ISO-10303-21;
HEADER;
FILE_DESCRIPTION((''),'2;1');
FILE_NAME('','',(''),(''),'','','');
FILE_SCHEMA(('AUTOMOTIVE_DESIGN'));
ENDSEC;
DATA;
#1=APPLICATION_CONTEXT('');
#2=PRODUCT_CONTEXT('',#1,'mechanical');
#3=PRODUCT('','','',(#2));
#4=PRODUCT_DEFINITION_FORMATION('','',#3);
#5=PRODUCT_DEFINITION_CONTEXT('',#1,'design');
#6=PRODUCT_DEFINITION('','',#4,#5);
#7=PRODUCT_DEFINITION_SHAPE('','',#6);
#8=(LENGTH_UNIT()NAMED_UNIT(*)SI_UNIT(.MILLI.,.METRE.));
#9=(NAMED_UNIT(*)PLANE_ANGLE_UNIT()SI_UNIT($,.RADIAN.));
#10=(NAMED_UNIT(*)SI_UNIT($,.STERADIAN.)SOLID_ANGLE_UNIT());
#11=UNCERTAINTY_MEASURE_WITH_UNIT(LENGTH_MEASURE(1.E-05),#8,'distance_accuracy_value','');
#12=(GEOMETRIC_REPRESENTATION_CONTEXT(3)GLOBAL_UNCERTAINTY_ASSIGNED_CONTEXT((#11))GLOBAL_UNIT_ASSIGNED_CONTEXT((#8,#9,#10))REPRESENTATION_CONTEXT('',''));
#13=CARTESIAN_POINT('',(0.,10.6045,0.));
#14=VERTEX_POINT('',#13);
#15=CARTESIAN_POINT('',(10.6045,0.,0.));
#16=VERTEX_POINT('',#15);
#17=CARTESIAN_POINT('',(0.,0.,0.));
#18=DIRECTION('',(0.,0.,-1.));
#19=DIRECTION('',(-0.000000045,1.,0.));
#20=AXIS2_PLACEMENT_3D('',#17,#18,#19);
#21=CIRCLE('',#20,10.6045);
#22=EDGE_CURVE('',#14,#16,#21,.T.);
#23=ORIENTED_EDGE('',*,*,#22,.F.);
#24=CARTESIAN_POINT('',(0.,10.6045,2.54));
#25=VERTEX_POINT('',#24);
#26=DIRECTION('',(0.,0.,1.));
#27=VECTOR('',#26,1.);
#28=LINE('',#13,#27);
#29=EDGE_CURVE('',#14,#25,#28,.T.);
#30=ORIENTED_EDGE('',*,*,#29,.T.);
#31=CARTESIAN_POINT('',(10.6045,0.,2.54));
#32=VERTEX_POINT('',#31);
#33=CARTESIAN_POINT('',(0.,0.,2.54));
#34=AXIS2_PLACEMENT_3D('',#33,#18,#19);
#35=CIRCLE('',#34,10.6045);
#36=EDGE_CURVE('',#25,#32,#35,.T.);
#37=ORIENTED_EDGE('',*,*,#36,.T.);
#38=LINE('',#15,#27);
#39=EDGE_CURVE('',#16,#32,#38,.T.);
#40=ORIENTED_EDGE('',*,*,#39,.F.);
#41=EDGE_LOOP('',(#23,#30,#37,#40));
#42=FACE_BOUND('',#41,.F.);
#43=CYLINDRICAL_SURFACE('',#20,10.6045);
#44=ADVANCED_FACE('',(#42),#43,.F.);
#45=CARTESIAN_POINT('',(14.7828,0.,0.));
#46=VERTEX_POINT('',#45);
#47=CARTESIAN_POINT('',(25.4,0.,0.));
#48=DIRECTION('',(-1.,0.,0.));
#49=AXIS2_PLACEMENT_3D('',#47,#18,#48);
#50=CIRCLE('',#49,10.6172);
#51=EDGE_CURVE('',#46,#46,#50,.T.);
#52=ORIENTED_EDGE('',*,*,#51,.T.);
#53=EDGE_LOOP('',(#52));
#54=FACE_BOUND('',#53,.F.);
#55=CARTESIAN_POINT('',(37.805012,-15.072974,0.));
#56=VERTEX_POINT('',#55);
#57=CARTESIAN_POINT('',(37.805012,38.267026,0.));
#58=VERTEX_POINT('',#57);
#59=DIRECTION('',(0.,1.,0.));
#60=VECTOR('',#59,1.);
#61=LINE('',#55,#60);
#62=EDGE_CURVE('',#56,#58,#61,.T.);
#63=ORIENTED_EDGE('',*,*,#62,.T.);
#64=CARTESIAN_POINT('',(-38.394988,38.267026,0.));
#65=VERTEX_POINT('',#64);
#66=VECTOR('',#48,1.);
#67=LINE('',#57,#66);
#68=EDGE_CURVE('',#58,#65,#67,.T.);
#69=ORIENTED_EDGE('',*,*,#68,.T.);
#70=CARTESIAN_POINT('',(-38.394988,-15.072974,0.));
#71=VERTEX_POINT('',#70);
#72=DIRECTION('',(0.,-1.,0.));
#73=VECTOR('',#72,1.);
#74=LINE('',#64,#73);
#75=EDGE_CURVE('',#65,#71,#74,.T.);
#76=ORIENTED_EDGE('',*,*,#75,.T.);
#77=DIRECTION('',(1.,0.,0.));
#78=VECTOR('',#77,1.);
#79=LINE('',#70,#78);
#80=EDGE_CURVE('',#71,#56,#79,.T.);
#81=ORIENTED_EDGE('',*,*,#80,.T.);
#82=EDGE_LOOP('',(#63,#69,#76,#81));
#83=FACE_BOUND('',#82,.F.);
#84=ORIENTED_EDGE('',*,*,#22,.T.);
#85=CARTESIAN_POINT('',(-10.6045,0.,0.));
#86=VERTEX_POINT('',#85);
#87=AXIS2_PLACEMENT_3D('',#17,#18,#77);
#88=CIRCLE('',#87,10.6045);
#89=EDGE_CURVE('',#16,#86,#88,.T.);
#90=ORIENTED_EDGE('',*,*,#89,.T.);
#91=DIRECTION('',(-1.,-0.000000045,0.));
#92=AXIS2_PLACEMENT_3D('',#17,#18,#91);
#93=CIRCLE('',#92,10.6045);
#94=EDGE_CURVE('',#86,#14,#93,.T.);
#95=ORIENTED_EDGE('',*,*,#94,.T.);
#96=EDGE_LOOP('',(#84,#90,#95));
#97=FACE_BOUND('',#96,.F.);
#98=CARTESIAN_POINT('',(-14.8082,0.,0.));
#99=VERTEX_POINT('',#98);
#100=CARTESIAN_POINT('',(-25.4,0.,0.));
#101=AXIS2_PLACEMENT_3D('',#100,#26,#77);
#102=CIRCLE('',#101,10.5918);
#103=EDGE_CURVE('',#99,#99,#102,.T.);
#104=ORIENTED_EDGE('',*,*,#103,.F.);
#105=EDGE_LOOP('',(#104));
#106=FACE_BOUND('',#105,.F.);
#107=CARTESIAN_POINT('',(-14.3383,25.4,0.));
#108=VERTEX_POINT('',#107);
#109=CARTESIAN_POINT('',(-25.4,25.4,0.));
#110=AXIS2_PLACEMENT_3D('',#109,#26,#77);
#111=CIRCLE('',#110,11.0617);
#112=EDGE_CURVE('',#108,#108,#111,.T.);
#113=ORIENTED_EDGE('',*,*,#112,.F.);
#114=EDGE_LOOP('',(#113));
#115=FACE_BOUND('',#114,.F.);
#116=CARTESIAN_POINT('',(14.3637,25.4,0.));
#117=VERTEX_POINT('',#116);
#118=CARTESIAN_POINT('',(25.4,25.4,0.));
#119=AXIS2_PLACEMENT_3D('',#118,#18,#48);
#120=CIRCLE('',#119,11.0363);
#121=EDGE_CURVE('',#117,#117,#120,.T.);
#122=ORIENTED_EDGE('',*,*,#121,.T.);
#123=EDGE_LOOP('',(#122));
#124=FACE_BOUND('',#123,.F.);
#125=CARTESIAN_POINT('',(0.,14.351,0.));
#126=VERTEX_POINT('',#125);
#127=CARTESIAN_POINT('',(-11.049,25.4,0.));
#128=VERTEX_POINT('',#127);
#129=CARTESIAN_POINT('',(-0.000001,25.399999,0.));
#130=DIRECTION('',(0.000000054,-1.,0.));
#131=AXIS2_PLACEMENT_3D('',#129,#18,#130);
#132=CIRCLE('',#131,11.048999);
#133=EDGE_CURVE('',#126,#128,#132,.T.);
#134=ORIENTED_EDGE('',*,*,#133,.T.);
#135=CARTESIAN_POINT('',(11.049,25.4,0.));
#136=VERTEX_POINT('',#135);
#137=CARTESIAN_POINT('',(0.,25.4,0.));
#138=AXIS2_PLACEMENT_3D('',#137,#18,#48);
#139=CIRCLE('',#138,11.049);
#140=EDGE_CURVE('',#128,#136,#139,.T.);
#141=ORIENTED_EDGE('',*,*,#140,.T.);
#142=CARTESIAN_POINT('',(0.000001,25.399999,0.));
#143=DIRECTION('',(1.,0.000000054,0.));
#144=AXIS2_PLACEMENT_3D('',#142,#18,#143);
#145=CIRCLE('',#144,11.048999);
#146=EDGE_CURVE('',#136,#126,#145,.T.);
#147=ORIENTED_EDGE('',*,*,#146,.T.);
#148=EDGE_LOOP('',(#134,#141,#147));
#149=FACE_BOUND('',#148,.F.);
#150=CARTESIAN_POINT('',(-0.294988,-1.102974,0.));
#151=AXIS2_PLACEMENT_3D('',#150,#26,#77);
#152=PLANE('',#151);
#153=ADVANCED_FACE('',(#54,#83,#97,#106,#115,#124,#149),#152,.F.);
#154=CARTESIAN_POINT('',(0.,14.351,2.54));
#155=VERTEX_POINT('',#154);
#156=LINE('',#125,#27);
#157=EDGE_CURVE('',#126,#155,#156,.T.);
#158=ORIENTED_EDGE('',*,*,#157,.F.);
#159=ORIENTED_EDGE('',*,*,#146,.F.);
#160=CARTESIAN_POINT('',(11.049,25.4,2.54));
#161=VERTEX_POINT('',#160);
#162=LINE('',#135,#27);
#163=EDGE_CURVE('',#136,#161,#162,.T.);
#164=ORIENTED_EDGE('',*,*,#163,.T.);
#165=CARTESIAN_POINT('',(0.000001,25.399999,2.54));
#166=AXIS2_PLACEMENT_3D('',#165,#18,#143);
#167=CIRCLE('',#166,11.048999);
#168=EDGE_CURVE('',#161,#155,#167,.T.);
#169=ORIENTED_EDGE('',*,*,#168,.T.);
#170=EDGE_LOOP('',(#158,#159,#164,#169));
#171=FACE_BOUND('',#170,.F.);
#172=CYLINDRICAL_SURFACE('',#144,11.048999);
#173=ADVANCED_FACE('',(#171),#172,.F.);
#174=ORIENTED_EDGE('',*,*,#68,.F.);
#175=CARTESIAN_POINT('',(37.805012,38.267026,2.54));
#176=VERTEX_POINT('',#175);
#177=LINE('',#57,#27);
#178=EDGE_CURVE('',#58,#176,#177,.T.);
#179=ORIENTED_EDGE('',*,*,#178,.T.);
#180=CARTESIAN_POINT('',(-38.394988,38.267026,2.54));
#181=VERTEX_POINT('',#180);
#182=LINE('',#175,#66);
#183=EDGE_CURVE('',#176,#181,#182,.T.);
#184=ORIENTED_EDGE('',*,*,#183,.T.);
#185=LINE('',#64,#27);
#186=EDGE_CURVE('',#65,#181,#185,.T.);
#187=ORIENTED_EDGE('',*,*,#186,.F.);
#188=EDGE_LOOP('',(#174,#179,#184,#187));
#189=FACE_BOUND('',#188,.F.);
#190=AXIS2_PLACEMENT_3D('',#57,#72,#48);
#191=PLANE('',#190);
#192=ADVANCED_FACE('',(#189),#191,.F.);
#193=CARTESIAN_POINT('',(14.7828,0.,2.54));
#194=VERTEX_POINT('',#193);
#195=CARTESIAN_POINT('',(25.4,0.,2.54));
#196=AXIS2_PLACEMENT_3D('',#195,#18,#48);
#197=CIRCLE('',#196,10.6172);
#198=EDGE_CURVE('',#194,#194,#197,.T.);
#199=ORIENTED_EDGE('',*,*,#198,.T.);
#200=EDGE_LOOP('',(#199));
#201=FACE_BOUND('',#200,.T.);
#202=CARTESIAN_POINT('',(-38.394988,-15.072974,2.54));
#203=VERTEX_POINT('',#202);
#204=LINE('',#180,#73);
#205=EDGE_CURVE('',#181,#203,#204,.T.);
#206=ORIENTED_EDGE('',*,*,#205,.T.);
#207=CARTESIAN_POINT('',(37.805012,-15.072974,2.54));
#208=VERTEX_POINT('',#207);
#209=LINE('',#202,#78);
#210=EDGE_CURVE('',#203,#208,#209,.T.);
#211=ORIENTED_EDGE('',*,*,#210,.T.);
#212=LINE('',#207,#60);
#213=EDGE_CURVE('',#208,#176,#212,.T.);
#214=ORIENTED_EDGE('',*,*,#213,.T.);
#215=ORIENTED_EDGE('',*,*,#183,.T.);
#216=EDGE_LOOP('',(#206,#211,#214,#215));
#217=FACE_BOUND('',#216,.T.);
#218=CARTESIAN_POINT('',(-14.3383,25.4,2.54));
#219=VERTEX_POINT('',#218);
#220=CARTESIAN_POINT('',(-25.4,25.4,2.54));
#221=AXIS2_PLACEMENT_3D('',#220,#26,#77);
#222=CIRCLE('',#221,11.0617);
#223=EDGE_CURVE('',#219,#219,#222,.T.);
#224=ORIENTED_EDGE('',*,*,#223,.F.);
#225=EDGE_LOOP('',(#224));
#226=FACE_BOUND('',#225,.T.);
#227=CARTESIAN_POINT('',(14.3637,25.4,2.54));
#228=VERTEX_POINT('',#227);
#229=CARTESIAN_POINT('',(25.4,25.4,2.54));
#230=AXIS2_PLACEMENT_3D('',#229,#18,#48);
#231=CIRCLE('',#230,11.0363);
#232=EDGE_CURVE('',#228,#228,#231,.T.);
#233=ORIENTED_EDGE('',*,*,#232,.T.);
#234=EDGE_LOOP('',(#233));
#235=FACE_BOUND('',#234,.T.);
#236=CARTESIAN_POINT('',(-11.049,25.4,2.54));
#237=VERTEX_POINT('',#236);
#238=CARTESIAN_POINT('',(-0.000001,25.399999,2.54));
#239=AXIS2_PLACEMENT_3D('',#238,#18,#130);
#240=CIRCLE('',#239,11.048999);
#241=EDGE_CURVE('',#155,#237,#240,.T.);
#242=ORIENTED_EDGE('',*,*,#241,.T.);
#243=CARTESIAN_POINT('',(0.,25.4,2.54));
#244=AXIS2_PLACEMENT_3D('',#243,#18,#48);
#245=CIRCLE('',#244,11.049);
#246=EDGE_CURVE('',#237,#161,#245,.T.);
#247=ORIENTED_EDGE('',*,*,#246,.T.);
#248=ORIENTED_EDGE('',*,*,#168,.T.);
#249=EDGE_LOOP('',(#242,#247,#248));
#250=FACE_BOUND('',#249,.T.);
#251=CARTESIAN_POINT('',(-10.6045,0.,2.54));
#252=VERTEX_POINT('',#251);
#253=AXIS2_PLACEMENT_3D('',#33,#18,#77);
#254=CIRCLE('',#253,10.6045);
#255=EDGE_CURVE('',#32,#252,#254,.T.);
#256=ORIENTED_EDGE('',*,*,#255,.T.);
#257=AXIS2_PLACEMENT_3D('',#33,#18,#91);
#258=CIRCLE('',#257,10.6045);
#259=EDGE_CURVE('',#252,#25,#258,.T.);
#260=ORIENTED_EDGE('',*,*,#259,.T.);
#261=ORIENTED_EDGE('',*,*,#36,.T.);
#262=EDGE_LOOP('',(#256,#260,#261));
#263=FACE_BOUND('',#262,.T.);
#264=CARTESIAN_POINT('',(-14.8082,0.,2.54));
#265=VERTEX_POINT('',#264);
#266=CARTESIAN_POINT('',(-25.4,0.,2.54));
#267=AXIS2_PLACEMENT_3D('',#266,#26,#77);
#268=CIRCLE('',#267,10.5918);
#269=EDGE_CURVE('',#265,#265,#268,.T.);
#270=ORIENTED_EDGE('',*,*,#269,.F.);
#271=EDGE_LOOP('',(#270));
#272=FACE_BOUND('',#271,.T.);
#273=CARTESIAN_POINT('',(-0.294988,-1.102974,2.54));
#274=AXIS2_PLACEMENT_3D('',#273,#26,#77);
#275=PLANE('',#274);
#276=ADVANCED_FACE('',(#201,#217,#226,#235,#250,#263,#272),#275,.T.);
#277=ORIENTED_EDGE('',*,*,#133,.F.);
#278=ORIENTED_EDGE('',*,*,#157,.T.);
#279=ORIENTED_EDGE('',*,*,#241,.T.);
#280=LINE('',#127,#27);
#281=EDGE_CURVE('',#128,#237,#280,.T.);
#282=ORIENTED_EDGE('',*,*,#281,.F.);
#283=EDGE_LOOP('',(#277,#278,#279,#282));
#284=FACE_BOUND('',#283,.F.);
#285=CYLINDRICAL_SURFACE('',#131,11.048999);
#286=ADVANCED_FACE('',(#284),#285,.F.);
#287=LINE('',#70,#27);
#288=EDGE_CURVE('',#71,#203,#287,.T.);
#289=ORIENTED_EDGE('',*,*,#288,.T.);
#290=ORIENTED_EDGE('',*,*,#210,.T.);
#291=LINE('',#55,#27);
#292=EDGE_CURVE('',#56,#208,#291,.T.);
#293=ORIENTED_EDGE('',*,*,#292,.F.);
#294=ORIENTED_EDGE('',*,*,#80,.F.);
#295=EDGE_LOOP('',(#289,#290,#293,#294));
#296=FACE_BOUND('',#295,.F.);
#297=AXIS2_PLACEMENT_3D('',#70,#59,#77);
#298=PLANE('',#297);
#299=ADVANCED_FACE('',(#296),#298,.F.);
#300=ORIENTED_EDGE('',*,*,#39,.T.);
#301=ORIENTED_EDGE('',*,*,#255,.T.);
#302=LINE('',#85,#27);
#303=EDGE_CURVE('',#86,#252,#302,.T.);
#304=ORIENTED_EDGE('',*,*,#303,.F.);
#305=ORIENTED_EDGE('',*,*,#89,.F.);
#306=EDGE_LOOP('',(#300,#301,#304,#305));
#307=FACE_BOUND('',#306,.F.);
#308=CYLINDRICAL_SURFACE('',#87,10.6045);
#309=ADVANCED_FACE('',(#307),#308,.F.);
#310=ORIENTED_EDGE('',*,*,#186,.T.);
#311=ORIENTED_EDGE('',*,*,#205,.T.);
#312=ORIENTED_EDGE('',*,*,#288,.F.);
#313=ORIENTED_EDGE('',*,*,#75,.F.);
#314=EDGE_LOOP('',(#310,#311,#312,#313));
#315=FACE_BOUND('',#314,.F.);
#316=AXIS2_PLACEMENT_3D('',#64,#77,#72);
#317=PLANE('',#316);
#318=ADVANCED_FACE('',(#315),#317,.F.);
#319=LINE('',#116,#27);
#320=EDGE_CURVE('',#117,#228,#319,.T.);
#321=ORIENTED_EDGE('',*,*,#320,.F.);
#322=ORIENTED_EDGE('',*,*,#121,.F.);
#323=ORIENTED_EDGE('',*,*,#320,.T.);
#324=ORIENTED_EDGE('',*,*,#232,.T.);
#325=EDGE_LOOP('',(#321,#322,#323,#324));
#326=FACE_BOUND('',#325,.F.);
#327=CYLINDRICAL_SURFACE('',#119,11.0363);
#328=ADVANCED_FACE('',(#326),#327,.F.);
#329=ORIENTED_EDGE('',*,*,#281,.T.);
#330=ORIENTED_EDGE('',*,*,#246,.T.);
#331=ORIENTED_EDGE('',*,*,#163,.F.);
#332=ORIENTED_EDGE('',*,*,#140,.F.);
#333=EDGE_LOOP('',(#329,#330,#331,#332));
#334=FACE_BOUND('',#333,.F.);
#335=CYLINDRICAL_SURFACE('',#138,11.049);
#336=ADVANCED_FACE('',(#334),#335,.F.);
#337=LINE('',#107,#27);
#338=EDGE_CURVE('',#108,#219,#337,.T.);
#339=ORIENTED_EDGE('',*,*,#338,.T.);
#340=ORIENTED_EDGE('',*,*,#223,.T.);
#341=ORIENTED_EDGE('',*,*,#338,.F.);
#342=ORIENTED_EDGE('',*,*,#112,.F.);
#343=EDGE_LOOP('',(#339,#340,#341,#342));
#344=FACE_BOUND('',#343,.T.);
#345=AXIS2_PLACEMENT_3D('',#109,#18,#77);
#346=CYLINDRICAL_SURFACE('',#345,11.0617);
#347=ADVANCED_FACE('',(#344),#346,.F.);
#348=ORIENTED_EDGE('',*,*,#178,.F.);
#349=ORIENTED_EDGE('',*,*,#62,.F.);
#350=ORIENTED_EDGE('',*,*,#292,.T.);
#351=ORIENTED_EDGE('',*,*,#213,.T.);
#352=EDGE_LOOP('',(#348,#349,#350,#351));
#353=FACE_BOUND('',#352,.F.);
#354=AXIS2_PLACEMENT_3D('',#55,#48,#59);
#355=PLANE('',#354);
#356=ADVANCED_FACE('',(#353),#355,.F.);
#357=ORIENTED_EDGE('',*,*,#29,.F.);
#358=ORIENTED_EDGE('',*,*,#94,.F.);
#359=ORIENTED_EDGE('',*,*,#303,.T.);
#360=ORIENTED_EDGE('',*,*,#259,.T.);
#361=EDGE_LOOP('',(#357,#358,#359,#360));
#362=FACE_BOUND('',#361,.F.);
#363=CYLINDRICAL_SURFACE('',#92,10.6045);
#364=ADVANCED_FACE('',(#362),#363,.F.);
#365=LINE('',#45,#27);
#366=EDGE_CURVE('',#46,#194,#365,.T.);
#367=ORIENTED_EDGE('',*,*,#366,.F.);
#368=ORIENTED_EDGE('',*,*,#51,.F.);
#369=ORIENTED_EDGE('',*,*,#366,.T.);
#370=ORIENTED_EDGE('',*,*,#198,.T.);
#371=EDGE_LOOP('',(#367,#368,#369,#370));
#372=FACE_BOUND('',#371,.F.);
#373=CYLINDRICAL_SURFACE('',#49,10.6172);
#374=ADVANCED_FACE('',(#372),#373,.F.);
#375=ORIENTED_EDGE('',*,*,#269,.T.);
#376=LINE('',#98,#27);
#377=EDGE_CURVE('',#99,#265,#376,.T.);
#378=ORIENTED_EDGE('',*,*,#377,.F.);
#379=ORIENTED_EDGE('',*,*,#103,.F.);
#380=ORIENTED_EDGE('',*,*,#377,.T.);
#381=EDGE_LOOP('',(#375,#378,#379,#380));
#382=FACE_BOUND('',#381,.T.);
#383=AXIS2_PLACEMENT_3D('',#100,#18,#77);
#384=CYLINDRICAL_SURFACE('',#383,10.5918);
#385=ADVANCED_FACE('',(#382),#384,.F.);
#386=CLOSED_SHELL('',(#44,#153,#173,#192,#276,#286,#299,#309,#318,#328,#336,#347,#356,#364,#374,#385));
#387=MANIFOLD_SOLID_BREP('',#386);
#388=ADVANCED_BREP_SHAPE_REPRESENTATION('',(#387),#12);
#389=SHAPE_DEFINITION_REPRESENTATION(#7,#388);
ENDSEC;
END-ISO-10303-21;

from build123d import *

# Parameters (mm, degrees)
F0_R     = 10.5918
F0_R_2   = 11.0617
F1_DEPTH = 2.54


with BuildPart() as f1:
    # F0 (on Top) → F1 (new body)
    with BuildSketch(Plane.XY):
        Polygon((37.805012, 12.867026), (0, 12.867026), (-38.394988, 12.867026), (-38.394988, -15.072974), (37.805012, -15.072974), align=None)
        with Locations((-25.4, 0)):
            Circle(F0_R, mode=Mode.SUBTRACT)
        with BuildLine():
            ThreePointArc((0, 10.6045), (7.498514, 7.498514), (10.6045, 0))
            ThreePointArc((10.6045, 0), (0, -10.6045), (-10.6045, 0))
            ThreePointArc((-10.6045, 0), (-7.498514, 7.498514), (0, 10.6045))
        make_face(mode=Mode.SUBTRACT)
        with BuildLine():
            ThreePointArc((36.0172, 0), (25.4, -10.6172), (14.7828, 0))
            ThreePointArc((14.7828, 0), (25.4, 10.6172), (36.0172, 0))
        make_face(mode=Mode.SUBTRACT)
        Polygon((-38.394988, 12.867026), (0, 12.867026), (37.805012, 12.867026), (37.805012, 38.267026), (-38.394988, 38.267026), align=None)
        with Locations((-25.4, 25.4)):
            Circle(F0_R_2, mode=Mode.SUBTRACT)
        with BuildLine():
            ThreePointArc((11.049, 25.4), (7.812823, 17.587177), (0, 14.351))
            ThreePointArc((0, 14.351), (-7.812823, 17.587177), (-11.049, 25.4))
            ThreePointArc((-11.049, 25.4), (0, 36.449), (11.049, 25.4))
        make_face(mode=Mode.SUBTRACT)
        with BuildLine():
            ThreePointArc((36.4363, 25.4), (25.4, 14.3637), (14.3637, 25.4))
            ThreePointArc((14.3637, 25.4), (25.4, 36.4363), (36.4363, 25.4))
        make_face(mode=Mode.SUBTRACT)
    extrude(amount=F1_DEPTH)


solid = f1.part
